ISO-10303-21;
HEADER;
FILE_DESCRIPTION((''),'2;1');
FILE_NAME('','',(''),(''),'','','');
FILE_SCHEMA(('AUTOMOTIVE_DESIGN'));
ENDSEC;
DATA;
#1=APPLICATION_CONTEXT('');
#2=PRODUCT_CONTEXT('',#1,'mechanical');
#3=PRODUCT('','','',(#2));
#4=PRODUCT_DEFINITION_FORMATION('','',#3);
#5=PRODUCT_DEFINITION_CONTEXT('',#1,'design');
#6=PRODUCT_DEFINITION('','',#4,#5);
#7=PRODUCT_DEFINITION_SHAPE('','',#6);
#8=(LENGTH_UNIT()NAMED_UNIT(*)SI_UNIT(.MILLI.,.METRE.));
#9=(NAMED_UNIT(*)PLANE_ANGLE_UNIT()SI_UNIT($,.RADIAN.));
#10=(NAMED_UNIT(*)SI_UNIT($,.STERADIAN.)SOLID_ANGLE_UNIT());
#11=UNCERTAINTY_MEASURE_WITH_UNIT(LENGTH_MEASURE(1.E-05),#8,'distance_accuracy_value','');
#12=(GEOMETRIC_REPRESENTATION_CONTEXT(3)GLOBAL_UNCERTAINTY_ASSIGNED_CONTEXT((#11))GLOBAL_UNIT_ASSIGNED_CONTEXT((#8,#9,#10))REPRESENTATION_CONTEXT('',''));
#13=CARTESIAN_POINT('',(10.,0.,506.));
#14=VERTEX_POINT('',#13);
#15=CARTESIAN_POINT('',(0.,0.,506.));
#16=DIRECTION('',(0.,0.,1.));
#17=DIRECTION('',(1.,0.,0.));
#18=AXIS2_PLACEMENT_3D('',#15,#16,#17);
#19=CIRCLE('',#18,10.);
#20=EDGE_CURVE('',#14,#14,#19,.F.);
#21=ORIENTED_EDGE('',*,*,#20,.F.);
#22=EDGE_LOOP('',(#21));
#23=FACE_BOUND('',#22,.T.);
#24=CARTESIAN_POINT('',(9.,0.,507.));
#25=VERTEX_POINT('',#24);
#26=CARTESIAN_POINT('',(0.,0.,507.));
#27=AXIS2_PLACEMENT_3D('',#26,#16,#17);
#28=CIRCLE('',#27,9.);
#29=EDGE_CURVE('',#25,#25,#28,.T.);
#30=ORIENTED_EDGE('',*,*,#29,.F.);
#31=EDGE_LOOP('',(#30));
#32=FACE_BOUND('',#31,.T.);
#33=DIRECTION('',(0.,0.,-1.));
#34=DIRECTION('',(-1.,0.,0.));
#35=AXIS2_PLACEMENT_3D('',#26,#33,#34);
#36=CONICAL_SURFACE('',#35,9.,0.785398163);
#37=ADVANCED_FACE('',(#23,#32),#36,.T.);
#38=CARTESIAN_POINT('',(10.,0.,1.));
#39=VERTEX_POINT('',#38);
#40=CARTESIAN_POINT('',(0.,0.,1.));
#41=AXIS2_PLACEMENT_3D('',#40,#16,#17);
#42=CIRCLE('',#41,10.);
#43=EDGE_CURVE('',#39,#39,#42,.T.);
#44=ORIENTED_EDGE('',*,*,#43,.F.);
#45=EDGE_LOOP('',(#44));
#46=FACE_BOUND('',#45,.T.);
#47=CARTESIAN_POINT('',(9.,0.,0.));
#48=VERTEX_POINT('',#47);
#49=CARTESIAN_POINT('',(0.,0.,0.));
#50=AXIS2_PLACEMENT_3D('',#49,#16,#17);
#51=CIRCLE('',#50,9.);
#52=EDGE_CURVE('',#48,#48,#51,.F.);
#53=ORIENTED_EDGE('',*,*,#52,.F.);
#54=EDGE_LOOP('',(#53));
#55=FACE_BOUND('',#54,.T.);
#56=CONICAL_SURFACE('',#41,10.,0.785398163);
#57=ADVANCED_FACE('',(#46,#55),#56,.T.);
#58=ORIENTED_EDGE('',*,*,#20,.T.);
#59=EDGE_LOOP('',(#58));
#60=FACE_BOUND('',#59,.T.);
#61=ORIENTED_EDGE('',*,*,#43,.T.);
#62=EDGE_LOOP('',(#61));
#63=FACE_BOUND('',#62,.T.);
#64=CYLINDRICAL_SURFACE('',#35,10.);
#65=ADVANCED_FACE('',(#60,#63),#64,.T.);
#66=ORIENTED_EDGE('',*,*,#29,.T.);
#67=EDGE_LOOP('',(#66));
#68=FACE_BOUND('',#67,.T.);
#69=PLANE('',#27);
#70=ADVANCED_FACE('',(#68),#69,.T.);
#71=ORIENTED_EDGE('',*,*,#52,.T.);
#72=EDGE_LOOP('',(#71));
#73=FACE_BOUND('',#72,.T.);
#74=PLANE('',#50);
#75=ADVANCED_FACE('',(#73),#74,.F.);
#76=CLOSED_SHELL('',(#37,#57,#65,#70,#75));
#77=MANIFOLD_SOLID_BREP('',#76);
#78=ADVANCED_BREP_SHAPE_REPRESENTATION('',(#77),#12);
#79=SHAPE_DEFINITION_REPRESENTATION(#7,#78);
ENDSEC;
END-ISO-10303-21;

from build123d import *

# Parameters (mm, degrees)
SKETCH1_R           = 10
BOSS_EXTRUDE1_DEPTH = 507
CHAMFER1_SIZE       = 1


with BuildPart() as part:
    # Sketch1 → Boss-Extrude1 (new body)
    with BuildSketch(Plane.XY):
        Circle(SKETCH1_R)
    extrude(amount=BOSS_EXTRUDE1_DEPTH)

    # Chamfer1
    chamfer1_edges = [part.edges().sort_by_distance(p)[0] for p in [
        (-10, 0, 0),
        (-10, 0, 507),
    ]]
    chamfer(chamfer1_edges, length=CHAMFER1_SIZE)


solid = part.part
